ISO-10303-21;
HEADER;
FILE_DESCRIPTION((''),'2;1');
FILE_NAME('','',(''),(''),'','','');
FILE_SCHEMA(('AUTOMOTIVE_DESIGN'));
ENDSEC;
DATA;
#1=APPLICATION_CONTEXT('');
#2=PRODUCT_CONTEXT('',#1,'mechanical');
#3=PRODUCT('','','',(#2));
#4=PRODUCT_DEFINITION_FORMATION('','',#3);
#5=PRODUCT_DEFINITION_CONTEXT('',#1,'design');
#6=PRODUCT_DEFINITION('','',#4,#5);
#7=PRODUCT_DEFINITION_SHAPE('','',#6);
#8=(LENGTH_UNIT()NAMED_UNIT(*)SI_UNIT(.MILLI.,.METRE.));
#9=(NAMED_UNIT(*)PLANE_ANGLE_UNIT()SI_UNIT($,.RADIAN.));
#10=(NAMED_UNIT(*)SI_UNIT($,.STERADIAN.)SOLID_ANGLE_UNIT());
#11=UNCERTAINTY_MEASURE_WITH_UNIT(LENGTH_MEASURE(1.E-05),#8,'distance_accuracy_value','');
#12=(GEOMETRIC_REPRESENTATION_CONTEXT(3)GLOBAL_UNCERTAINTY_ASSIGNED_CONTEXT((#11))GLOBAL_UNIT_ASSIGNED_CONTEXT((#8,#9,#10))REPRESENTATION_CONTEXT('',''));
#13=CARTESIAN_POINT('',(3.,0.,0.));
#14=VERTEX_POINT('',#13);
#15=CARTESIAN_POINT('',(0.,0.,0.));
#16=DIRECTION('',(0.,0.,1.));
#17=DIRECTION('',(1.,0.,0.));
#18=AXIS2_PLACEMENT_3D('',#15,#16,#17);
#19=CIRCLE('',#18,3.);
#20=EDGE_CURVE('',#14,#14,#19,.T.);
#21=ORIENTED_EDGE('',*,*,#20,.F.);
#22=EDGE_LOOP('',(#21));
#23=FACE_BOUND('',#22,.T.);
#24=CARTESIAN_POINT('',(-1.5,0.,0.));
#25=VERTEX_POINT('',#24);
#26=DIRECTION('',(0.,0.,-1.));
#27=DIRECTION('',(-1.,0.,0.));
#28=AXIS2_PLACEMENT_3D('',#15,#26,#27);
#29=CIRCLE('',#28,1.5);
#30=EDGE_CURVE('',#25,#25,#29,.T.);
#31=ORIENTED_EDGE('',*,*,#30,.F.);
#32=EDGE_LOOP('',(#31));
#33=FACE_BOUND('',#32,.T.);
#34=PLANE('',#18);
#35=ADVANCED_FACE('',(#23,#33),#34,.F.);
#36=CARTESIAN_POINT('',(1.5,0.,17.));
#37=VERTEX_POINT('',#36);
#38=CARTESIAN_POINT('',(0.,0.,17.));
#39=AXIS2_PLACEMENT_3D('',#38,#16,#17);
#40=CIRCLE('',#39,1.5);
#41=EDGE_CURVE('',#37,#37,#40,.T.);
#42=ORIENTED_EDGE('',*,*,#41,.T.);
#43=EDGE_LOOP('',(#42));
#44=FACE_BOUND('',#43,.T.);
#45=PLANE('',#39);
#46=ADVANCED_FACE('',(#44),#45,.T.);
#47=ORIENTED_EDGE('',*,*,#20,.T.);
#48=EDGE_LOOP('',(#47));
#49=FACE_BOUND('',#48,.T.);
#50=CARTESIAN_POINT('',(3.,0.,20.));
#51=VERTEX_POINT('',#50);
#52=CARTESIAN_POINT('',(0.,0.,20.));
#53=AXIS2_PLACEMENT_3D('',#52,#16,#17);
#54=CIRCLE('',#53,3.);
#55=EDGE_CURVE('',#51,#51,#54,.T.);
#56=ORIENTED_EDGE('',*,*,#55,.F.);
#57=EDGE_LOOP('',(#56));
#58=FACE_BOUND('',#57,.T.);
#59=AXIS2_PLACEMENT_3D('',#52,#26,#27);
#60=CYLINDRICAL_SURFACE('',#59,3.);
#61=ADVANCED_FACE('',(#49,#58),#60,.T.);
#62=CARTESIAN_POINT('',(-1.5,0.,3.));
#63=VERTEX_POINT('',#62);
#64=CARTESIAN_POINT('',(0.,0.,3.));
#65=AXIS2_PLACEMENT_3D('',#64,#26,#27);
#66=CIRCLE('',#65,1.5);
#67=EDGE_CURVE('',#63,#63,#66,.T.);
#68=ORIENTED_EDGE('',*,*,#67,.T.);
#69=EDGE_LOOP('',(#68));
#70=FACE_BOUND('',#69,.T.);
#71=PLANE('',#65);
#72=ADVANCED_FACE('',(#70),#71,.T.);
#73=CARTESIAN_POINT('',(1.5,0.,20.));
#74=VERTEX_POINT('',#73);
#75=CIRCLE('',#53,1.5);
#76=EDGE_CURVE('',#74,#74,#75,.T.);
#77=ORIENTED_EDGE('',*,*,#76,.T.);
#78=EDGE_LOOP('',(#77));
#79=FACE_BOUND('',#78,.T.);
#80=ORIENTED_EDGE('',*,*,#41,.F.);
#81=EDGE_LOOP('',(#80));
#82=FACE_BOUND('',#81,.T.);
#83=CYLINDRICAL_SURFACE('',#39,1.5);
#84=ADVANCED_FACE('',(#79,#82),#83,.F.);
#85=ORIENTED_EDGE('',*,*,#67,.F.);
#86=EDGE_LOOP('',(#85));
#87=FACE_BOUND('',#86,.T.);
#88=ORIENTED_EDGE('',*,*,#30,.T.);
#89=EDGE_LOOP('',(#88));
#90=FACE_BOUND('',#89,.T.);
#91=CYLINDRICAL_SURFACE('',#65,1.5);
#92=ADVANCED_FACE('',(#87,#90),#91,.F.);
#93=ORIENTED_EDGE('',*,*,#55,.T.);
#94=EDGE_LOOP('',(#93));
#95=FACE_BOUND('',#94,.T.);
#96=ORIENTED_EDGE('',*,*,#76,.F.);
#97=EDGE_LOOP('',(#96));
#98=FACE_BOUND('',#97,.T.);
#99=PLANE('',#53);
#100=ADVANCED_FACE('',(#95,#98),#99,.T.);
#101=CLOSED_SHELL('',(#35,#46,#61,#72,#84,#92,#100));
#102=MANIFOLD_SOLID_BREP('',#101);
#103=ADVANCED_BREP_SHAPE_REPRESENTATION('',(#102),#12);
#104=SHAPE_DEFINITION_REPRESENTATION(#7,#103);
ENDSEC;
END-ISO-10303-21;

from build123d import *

# Parameters (mm, degrees)
SKETCH1_R           = 3
BOSS_EXTRUDE1_DEPTH = 20
SKETCH2_R           = 1.5
CUT_EXTRUDE1_DEPTH  = 3
CUT_EXTRUDE2_START  = -3
SKETCH3_R           = 1.5
CUT_EXTRUDE2_DEPTH  = 3


with BuildPart() as part:
    # Sketch1 → Boss-Extrude1 (new body)
    with BuildSketch(Plane.XY):
        Circle(SKETCH1_R)
    extrude(amount=BOSS_EXTRUDE1_DEPTH)

    # Sketch2 → Cut-Extrude1 (cut)
    with BuildSketch(Plane.XY.offset(20)):
        Circle(SKETCH2_R)
    extrude(amount=-CUT_EXTRUDE1_DEPTH, mode=Mode.SUBTRACT)

    # Sketch3 → Cut-Extrude2 (cut)
    with BuildSketch(Plane(origin=(0, 0, 0), x_dir=(-1, 0, 0), z_dir=(0, 0, -1)).offset(CUT_EXTRUDE2_START)):
        with Locations(Location((0, 0, 0), (0, 0, 180))):
            Circle(SKETCH3_R)
    extrude(amount=CUT_EXTRUDE2_DEPTH, mode=Mode.SUBTRACT)


solid = part.part
